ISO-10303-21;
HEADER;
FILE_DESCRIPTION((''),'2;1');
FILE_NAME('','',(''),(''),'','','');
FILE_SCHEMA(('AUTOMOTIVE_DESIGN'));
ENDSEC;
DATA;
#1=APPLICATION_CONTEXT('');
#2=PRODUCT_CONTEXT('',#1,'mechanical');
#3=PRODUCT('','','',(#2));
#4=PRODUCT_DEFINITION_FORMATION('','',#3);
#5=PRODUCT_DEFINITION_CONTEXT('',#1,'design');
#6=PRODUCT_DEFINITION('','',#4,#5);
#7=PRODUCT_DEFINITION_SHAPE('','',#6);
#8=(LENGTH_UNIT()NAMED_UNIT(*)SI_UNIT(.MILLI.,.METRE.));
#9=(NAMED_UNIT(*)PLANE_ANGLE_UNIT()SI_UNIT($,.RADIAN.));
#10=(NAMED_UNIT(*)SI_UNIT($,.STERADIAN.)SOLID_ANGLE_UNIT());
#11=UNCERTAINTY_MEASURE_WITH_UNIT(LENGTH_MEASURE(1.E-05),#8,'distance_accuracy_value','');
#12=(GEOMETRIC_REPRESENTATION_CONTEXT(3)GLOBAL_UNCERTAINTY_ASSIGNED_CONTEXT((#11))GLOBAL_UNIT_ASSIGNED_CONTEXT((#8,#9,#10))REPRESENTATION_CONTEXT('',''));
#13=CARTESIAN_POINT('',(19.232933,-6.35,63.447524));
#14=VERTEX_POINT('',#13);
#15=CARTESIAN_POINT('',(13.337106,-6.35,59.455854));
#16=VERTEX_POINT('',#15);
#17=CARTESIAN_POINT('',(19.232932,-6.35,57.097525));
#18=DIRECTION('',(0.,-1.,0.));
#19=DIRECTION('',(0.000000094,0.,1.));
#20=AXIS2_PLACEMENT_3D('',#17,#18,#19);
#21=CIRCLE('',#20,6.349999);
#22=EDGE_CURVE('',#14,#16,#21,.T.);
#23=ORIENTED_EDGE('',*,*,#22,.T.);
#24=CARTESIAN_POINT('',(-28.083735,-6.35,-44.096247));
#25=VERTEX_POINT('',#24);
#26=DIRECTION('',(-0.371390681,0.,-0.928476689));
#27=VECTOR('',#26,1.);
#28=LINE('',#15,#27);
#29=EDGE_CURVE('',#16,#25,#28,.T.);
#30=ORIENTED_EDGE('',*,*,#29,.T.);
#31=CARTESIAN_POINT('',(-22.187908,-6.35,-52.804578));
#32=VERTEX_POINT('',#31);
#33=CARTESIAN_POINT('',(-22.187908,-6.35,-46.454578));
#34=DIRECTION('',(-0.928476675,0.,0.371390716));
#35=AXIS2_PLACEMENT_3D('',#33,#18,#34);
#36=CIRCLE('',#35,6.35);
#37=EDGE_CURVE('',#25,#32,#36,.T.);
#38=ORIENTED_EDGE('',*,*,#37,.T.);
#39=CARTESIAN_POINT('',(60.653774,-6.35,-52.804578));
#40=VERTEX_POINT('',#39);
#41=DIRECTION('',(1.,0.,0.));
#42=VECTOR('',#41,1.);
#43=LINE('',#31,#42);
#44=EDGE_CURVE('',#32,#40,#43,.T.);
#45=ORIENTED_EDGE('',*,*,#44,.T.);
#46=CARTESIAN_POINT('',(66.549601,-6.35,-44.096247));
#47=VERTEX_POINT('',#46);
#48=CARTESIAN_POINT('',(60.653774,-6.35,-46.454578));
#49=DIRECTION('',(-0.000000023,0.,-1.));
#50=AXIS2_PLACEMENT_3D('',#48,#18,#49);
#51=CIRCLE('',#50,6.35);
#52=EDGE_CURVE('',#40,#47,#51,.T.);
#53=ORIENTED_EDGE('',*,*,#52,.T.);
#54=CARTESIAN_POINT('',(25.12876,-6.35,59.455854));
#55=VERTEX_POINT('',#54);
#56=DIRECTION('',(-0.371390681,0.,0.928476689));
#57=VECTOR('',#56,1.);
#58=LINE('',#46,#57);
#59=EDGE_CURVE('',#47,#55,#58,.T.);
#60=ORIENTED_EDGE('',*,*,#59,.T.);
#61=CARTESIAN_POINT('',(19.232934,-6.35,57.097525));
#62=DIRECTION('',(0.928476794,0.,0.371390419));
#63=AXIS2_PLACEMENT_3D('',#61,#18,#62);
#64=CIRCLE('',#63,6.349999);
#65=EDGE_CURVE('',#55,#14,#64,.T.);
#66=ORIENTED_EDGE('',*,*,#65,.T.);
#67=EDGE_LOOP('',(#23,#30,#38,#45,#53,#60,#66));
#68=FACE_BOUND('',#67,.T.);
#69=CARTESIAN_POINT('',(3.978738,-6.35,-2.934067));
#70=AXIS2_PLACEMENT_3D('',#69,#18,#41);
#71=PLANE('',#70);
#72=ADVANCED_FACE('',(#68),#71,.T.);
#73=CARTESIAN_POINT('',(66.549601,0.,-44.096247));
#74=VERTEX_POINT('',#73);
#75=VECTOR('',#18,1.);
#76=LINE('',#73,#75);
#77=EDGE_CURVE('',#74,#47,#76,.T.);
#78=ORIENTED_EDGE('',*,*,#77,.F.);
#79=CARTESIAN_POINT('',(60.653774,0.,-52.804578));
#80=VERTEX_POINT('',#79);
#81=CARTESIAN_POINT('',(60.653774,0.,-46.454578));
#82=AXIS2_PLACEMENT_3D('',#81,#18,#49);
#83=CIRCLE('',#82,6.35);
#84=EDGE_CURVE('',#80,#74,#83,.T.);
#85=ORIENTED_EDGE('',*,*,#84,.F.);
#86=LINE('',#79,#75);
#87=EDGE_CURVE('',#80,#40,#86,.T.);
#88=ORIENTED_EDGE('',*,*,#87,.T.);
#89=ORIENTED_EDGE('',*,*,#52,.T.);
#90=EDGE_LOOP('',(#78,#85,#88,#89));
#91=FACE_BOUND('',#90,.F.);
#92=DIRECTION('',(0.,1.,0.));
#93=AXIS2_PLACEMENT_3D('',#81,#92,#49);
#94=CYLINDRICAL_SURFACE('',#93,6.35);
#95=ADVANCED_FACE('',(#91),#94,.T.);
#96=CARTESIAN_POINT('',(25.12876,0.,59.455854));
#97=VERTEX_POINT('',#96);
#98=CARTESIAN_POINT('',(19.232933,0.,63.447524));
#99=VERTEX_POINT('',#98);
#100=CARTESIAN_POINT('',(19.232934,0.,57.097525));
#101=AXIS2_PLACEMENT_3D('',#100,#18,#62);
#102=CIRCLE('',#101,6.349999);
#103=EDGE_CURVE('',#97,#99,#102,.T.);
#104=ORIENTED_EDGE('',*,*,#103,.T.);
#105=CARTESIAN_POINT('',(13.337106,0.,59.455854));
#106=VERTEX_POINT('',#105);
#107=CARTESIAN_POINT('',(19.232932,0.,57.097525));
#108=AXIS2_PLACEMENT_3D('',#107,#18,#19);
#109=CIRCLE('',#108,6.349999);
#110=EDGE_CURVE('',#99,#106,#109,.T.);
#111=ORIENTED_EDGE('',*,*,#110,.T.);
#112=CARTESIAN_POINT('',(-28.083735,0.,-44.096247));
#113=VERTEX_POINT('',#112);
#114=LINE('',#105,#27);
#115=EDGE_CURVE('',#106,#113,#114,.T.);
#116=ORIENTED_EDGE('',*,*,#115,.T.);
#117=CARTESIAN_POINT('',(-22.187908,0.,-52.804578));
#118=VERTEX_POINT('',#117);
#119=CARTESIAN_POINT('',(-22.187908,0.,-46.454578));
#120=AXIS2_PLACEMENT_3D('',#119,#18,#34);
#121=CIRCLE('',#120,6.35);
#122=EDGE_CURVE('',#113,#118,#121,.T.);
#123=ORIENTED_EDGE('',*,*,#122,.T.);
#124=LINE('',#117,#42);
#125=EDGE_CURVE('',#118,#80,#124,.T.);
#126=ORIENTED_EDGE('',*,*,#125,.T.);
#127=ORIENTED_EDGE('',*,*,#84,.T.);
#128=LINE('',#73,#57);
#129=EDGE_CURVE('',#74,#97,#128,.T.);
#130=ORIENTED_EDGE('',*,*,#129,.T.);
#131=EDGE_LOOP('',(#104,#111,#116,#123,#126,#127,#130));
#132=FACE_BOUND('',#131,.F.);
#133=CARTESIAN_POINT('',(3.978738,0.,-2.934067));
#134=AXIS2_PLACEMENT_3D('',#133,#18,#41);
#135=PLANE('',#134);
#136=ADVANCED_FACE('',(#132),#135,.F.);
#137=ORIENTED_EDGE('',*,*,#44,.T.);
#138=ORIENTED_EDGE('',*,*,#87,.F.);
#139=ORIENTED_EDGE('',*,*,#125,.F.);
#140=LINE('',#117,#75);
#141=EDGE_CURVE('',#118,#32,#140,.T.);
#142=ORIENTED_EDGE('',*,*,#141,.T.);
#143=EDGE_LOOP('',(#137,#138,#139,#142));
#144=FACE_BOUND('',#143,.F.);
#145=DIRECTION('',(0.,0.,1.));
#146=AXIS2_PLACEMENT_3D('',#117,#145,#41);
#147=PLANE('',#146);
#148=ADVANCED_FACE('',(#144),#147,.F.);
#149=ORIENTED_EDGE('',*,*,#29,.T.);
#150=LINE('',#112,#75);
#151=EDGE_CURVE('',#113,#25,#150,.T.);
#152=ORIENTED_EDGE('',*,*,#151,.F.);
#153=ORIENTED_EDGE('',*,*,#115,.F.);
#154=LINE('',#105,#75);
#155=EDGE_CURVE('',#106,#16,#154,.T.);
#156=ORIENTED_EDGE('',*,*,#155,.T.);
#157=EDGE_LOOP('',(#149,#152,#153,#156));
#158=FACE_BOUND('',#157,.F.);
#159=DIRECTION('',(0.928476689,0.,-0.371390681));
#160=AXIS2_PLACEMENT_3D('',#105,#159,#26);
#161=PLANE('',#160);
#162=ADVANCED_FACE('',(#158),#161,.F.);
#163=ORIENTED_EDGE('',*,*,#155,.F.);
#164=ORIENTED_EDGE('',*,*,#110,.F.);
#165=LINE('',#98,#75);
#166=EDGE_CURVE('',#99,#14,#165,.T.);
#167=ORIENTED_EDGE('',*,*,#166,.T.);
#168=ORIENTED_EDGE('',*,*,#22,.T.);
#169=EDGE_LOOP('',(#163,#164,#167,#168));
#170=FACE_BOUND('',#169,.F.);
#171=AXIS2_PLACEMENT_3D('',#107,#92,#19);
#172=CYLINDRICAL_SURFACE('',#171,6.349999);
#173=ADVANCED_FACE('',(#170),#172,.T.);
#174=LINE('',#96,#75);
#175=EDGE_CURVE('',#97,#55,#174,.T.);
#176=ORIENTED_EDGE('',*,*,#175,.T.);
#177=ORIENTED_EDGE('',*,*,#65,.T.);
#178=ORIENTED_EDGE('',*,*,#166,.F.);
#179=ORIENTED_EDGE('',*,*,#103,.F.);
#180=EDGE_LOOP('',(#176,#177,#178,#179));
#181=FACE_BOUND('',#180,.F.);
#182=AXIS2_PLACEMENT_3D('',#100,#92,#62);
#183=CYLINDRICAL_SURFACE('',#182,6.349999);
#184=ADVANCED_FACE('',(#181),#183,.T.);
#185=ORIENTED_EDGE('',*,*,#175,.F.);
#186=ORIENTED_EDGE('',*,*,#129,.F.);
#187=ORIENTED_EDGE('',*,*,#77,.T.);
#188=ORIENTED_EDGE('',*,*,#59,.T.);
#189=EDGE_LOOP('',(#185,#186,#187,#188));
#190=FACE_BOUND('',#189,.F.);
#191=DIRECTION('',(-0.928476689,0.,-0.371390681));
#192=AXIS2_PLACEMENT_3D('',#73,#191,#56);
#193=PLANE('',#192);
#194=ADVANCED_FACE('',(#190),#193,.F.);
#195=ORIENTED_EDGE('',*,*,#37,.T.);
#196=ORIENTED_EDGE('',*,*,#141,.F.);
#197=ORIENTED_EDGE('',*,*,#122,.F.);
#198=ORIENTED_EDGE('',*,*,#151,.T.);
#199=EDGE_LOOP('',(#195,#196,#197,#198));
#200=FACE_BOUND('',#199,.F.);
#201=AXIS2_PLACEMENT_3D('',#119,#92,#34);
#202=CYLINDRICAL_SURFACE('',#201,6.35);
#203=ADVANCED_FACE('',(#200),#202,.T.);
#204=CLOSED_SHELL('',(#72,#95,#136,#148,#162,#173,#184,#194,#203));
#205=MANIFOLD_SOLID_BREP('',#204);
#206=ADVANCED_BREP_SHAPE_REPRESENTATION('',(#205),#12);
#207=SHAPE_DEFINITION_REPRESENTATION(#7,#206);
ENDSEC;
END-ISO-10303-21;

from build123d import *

# Parameters (mm, degrees)
F1_DEPTH = 6.35


with BuildPart() as f1:
    # F0 (on Front) → F1 (new body)
    with BuildSketch(Plane.XZ):
        with BuildLine():
            Line((19.232933, -52.804578), (19.232933, 63.447524))
            ThreePointArc((19.232933, 63.447524), (15.67294, 62.355751), (13.337106, 59.455854))
            Line((13.337106, 59.455854), (-28.083735, -44.096247))
            ThreePointArc((-28.083735, -44.096247), (-27.446135, -50.014571), (-22.187908, -52.804578))
            Line((-22.187908, -52.804578), (19.232933, -52.804578))
        make_face()
        with BuildLine():
            ThreePointArc((25.12876, 59.455854), (22.792926, 62.355751), (19.232933, 63.447524))
            Line((19.232933, 63.447524), (19.232933, -52.804578))
            Line((19.232933, -52.804578), (60.653774, -52.804578))
            ThreePointArc((60.653774, -52.804578), (65.912001, -50.014571), (66.549601, -44.096247))
            Line((66.549601, -44.096247), (25.12876, 59.455854))
        make_face()
    extrude(amount=F1_DEPTH)


solid = f1.part
